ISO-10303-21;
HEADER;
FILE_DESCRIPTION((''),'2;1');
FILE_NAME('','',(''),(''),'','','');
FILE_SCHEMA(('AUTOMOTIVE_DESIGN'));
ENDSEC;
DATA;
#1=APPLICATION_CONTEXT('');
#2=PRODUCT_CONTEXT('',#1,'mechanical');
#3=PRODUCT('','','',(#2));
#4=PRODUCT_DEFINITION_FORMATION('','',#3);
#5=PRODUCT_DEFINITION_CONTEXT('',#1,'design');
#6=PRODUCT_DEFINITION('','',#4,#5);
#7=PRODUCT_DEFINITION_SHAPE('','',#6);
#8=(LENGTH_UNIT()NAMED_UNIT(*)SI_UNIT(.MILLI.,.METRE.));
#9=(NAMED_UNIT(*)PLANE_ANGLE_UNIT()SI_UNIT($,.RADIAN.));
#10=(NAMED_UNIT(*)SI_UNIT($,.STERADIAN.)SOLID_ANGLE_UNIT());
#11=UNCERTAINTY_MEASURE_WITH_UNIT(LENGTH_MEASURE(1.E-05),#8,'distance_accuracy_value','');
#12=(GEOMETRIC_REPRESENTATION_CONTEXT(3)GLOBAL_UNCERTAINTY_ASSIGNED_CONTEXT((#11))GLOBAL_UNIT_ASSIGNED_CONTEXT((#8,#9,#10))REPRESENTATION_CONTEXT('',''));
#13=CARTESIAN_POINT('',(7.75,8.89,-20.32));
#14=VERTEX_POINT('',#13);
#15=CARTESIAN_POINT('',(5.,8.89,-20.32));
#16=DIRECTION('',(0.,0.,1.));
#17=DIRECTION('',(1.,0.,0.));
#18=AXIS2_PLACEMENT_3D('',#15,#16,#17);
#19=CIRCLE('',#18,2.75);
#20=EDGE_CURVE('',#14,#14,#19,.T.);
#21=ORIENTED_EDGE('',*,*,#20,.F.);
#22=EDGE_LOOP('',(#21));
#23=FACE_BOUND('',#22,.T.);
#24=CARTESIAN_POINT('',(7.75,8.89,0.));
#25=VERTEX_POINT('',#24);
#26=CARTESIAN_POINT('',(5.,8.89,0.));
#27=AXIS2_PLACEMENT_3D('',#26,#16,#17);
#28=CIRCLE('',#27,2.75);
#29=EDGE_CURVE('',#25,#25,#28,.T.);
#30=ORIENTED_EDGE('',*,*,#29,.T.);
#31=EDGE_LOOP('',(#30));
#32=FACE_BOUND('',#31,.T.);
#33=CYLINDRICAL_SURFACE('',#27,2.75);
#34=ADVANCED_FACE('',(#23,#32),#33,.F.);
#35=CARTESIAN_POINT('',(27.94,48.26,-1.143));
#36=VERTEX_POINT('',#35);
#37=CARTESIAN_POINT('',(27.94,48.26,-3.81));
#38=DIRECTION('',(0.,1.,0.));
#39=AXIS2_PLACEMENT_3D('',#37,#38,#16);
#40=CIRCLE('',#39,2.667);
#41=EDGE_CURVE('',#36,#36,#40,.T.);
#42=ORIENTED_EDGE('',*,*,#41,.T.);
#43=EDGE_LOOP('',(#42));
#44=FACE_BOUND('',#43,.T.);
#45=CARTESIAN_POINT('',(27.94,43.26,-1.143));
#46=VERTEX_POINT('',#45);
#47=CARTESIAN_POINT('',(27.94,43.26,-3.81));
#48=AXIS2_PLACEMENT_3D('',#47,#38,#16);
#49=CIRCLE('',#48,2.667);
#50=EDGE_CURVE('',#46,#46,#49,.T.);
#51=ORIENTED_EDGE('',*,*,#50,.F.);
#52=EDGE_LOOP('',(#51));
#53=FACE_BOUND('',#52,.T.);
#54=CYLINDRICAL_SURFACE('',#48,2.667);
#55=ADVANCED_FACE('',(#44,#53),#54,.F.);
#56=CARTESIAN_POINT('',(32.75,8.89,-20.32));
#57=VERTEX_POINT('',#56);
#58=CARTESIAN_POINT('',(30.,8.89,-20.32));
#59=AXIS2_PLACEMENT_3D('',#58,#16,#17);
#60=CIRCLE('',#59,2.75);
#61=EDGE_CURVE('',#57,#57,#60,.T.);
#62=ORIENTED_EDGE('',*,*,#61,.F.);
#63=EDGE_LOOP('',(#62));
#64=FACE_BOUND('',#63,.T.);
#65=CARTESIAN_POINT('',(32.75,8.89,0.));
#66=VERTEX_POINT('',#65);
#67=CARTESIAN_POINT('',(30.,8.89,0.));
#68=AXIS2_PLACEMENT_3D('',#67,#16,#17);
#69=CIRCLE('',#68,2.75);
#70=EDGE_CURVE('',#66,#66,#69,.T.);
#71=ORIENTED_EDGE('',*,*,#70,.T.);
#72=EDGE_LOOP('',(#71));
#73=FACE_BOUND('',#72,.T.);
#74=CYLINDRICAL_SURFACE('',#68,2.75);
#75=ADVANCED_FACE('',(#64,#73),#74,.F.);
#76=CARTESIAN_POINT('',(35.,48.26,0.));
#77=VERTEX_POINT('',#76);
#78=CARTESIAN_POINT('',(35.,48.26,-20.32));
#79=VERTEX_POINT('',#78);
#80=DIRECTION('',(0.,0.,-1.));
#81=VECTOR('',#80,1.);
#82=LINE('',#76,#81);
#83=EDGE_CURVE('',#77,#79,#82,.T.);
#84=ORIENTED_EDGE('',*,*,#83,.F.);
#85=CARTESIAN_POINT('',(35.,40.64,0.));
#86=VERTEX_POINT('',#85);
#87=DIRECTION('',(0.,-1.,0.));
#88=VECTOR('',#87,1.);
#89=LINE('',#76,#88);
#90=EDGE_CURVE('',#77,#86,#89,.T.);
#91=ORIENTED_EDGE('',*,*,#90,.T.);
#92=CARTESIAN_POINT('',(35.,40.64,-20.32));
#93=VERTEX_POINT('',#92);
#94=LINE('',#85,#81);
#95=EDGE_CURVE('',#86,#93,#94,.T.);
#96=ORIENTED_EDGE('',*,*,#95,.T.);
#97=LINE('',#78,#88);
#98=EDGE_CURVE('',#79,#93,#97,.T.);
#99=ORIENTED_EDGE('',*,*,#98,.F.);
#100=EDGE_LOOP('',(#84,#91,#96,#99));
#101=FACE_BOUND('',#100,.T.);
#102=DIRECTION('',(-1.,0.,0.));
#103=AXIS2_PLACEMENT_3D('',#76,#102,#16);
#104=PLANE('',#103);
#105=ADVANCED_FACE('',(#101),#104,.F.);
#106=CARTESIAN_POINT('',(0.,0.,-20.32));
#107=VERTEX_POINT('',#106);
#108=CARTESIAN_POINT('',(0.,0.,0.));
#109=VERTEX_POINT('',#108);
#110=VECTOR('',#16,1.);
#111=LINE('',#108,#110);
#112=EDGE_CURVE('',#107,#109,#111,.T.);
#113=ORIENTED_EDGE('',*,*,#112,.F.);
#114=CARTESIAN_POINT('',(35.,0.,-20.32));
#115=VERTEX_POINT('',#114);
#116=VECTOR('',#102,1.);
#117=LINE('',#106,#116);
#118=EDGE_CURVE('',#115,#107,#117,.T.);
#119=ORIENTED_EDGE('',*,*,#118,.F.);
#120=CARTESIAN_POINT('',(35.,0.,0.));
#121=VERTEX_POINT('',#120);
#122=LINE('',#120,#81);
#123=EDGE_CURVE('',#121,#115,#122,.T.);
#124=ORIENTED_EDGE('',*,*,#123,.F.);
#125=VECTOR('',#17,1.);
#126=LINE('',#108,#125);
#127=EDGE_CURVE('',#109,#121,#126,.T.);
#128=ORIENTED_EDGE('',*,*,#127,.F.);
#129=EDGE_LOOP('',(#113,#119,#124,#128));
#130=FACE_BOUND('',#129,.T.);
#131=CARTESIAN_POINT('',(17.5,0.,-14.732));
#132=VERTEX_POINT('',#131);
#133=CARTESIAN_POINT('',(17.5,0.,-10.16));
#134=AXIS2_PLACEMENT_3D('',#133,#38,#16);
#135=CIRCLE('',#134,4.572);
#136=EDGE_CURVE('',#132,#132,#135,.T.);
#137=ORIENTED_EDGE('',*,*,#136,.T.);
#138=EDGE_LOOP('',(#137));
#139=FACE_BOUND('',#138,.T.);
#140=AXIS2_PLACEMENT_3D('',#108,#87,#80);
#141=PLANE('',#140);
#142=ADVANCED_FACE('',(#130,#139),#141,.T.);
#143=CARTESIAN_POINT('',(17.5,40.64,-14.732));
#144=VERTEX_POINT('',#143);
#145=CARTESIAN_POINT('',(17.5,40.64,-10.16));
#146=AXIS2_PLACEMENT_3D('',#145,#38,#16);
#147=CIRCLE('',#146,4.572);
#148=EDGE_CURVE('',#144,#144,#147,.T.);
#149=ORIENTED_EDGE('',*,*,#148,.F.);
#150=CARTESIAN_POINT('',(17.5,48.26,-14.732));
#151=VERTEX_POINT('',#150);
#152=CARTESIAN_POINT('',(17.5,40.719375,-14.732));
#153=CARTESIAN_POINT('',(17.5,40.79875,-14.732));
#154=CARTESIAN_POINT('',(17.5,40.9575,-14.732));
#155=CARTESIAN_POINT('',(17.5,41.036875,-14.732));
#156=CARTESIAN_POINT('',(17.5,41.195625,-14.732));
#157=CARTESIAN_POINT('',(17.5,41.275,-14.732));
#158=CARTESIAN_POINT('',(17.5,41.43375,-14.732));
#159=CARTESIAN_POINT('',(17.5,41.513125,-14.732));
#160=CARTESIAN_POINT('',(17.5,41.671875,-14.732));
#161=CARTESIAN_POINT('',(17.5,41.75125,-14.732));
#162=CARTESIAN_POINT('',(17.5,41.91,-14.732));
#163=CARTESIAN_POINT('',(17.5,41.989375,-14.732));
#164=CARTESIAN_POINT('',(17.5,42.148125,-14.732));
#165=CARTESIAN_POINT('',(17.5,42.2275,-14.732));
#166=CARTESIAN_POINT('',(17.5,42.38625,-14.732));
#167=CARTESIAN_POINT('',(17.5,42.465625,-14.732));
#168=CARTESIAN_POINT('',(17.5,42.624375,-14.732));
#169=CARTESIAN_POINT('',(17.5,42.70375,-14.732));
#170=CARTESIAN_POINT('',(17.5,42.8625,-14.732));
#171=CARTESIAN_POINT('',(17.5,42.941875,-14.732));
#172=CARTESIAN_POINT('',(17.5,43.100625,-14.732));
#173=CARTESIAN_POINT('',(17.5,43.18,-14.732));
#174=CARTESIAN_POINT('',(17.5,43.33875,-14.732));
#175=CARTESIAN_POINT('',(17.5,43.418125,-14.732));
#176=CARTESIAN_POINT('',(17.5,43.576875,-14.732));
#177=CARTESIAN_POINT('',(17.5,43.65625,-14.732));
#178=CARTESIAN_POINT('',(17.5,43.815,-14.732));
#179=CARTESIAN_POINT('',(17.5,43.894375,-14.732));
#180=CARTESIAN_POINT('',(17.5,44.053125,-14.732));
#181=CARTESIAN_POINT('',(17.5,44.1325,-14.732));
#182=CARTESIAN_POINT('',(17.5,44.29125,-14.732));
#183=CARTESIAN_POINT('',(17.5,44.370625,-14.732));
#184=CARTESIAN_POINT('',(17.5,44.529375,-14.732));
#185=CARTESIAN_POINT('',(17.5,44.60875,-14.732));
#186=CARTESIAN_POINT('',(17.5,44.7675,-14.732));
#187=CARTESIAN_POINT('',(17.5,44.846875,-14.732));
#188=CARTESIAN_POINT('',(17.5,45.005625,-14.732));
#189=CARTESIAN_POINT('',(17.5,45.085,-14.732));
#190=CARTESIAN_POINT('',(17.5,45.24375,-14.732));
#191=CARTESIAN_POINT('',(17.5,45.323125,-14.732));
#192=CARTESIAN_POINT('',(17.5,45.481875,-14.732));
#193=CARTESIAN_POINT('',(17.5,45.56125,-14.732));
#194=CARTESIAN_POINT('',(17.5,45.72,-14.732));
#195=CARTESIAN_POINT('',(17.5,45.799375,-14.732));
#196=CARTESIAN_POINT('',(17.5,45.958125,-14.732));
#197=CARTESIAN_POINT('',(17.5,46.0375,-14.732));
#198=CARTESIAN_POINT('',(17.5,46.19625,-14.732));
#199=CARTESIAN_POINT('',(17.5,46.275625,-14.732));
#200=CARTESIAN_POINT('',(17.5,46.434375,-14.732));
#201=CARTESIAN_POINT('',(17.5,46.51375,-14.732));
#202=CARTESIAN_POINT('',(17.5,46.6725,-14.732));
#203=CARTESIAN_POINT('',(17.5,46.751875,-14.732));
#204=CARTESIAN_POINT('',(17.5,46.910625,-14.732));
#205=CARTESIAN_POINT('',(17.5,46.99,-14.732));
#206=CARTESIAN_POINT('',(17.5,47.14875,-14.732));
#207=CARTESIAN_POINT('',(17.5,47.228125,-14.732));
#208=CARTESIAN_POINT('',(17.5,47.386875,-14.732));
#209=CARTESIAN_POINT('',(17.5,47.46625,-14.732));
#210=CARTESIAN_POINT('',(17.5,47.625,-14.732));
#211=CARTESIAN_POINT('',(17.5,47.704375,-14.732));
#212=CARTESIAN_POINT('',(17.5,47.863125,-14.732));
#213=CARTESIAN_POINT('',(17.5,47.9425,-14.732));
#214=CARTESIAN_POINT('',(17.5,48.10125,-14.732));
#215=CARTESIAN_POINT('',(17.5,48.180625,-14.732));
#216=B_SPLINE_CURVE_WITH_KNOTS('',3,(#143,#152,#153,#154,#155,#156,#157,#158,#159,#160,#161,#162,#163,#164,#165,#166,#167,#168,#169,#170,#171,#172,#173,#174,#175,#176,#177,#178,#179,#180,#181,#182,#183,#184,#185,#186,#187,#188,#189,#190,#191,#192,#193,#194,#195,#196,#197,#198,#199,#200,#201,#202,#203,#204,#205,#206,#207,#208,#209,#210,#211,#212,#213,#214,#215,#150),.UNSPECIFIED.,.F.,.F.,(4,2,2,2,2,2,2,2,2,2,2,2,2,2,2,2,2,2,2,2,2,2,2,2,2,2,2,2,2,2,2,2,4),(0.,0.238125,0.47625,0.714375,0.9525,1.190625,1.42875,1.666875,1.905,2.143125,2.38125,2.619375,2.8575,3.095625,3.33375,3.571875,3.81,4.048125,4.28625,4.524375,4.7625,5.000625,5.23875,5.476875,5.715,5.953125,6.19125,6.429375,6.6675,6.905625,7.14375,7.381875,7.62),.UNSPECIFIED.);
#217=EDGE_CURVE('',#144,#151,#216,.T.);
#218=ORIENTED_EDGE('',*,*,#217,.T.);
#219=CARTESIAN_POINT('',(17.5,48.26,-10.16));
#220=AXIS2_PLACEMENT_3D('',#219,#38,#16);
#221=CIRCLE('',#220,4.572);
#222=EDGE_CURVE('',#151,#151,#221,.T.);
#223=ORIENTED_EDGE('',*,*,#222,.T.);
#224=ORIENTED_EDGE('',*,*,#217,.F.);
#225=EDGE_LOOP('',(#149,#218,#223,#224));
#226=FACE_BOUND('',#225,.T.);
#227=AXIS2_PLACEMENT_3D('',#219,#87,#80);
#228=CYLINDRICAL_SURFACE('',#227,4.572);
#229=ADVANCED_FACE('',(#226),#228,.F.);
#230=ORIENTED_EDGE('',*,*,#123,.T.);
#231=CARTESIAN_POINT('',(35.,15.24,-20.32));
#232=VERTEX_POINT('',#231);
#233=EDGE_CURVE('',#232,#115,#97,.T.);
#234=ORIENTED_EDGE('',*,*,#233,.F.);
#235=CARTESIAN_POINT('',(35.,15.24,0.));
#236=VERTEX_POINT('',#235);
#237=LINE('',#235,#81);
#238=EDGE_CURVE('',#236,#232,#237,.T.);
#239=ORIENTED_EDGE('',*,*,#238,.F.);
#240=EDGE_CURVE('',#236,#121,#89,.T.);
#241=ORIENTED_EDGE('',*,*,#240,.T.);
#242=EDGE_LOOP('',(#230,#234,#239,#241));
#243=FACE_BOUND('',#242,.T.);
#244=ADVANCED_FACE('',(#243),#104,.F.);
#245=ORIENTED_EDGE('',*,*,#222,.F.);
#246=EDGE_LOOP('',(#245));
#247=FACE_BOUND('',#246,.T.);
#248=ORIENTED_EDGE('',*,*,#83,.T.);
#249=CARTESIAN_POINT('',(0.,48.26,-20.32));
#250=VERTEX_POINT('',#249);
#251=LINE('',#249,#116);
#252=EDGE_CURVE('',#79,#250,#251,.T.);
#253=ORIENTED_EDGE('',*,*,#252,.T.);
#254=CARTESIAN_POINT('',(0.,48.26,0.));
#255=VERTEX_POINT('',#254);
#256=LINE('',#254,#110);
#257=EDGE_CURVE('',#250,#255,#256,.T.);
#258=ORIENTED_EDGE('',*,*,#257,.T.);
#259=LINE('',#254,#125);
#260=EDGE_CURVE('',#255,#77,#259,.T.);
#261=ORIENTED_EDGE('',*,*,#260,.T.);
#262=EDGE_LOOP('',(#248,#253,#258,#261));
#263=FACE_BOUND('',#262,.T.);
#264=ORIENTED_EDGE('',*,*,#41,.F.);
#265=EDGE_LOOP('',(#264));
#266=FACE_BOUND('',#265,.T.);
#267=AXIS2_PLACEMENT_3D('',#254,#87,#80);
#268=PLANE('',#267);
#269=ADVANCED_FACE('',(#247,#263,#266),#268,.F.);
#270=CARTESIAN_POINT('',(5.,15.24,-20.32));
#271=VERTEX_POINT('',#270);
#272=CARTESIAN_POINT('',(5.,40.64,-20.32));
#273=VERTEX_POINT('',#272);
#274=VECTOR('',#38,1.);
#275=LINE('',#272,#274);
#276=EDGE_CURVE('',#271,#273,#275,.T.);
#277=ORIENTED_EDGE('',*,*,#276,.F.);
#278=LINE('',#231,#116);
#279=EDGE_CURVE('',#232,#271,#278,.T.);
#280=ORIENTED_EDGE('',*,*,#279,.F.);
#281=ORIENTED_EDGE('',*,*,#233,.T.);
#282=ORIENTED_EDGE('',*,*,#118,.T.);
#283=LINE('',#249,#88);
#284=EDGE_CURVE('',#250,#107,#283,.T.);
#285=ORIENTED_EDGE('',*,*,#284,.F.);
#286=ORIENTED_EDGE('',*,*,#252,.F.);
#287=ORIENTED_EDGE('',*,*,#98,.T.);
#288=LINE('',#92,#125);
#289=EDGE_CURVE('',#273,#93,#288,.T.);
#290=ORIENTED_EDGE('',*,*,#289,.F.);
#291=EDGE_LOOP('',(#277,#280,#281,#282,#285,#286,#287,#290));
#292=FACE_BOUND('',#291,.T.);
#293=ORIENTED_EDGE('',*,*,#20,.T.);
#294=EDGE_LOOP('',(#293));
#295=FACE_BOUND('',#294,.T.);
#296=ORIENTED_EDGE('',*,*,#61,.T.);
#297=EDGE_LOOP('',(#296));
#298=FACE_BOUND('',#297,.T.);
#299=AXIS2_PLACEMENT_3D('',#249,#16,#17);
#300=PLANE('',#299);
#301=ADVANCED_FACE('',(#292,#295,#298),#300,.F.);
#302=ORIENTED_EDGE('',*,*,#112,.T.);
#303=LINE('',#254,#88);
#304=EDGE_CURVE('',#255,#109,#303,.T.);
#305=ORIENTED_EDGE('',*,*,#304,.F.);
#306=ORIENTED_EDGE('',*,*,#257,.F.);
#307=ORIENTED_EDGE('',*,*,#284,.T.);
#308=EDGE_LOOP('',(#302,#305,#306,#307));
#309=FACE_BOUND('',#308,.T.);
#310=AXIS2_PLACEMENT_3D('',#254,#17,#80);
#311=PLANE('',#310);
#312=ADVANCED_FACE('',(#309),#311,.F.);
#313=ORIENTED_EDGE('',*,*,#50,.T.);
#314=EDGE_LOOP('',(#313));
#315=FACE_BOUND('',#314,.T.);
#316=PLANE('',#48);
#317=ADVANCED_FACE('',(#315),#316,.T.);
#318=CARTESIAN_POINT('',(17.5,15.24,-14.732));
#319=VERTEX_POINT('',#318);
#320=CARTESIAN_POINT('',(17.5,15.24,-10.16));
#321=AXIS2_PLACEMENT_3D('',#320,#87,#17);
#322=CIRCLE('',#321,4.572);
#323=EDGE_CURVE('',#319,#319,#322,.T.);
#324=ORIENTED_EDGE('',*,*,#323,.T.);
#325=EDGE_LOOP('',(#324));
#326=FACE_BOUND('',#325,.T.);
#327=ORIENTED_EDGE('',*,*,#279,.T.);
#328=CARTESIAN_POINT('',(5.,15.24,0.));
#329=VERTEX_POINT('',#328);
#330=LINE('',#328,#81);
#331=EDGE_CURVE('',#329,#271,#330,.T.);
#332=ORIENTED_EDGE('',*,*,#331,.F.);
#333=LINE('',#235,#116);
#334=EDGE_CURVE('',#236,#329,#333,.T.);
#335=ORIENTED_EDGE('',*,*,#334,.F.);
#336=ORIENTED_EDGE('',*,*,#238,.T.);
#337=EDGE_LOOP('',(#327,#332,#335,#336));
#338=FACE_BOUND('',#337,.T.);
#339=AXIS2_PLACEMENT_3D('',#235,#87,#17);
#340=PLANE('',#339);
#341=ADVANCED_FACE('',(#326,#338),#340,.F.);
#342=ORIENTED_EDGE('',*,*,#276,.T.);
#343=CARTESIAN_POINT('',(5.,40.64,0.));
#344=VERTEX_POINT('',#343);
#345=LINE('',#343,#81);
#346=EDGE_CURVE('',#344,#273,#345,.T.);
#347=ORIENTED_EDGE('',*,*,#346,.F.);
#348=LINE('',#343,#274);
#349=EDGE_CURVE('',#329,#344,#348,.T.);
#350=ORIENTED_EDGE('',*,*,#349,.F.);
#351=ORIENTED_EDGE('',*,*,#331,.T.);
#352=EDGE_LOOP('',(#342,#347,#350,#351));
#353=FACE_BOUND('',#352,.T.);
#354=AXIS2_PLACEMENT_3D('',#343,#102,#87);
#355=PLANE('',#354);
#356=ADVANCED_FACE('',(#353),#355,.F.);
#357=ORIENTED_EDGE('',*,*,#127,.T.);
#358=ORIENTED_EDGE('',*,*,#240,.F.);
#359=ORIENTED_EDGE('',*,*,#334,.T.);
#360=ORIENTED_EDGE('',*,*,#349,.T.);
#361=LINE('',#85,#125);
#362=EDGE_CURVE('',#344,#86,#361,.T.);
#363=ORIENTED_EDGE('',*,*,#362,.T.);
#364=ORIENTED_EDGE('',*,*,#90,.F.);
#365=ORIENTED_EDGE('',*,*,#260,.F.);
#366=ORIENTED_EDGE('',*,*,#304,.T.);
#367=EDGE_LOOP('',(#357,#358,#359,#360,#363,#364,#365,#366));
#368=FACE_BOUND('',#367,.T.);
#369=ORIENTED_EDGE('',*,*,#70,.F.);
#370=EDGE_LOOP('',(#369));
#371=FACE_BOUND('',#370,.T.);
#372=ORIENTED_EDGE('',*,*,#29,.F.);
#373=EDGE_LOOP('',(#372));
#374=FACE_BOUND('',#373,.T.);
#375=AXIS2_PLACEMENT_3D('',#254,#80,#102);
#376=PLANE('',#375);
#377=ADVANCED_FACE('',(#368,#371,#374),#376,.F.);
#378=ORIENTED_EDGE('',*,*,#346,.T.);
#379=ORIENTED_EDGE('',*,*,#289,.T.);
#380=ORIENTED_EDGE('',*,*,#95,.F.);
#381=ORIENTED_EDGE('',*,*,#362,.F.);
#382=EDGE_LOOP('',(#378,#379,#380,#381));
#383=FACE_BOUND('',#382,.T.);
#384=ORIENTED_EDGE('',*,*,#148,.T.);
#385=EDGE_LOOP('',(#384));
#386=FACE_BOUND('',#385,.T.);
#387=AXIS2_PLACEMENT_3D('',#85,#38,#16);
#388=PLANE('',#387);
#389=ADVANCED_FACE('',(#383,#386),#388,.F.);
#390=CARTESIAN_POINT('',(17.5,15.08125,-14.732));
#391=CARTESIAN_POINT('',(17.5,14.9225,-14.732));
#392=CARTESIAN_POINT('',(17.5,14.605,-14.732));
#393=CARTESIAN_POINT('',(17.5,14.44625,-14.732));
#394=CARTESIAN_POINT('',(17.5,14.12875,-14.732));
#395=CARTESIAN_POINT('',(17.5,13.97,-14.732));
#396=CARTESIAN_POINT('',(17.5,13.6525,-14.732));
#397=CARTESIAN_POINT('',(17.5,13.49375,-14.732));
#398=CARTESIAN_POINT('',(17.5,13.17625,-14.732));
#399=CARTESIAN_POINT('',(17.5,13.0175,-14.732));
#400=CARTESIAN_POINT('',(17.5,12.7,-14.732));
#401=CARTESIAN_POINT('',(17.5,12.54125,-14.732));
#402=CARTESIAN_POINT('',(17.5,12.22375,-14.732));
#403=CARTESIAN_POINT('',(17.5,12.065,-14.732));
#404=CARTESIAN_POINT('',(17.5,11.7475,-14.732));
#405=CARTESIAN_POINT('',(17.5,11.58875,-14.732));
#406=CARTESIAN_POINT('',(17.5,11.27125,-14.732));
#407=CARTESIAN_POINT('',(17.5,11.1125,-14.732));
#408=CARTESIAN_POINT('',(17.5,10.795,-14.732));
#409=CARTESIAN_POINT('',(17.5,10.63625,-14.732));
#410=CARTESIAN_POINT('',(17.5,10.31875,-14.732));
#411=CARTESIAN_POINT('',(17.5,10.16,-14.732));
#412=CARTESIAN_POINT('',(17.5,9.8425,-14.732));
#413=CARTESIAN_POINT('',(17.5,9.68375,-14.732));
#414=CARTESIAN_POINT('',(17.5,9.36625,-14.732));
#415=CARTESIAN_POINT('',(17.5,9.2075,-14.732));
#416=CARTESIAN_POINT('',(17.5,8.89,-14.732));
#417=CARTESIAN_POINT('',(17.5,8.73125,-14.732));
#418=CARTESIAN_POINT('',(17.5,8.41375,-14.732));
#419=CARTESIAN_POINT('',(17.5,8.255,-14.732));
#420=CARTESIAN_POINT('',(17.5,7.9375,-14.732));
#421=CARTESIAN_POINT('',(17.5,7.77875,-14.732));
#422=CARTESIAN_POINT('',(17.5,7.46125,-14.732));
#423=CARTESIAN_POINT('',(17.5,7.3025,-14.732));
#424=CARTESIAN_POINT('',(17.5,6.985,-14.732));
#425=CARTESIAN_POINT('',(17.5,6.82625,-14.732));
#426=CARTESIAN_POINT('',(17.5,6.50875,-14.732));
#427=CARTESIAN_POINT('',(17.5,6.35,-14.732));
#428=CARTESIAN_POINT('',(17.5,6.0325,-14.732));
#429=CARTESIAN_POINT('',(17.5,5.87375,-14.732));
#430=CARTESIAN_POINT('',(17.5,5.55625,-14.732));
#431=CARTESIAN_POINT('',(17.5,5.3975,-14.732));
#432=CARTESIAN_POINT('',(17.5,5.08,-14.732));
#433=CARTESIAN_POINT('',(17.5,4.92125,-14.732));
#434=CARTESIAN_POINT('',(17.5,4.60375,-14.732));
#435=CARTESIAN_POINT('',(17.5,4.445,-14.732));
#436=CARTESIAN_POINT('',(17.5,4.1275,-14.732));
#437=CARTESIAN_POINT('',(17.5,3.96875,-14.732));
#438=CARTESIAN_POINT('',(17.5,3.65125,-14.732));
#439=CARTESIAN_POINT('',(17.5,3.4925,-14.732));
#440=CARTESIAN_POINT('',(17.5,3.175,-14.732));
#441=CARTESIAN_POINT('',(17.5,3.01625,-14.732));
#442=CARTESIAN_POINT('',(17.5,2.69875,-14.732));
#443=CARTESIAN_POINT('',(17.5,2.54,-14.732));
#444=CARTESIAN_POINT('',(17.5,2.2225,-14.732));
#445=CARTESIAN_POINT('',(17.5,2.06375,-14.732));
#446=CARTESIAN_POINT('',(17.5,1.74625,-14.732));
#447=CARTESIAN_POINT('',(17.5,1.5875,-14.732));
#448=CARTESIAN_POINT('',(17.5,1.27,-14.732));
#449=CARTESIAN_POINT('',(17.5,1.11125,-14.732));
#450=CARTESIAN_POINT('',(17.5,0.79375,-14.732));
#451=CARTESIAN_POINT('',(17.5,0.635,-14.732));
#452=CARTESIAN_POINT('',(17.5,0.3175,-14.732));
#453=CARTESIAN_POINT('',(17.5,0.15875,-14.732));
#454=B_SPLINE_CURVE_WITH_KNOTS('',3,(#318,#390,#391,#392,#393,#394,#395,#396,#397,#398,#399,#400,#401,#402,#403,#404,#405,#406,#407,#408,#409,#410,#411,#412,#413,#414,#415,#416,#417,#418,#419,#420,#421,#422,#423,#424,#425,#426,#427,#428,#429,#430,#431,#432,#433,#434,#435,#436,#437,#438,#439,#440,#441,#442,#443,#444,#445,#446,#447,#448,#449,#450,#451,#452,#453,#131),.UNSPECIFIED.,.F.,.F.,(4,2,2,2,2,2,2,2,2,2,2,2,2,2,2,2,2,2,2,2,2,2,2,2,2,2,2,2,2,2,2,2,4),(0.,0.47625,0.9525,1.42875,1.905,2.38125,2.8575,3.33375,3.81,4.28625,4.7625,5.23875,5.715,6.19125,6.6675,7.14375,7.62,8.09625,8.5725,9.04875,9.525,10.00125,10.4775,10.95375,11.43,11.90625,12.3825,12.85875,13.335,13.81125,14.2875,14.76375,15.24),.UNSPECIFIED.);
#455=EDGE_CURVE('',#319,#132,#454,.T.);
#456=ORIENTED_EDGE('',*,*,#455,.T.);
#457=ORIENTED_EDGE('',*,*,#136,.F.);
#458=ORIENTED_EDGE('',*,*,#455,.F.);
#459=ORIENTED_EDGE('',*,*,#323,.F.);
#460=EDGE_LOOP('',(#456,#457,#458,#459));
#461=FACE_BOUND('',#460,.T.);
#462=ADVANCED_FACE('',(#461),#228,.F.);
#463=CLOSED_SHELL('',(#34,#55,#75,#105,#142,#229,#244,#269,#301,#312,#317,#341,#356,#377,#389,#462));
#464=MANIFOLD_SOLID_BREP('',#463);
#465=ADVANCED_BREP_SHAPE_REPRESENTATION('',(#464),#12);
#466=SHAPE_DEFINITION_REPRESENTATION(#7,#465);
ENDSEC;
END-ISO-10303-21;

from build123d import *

# Parameters (mm, degrees)
SKETCH2_W            = 35
SKETCH2_H            = 20.32
SKETCH2_R            = 4.572
BOSS_EXTRUDE1_DEPTH  = 48.26
M5_CLEARANCE_HOLE1_D = 5.5
SKETCH7_R            = 2.667
CUT_EXTRUDE1_DEPTH   = 5
SKETCH8_W            = 30
SKETCH8_H            = 25.4
CUT_EXTRUDE2_DEPTH   = 63.983569286


with BuildPart() as part:
    # Sketch2 → Boss-Extrude1 (new body)
    with BuildSketch(Plane(origin=(0, 0, 0), x_dir=(1, 0, 0), z_dir=(0, 1, 0))):
        with Locations((17.5, 10.16)):
            Rectangle(SKETCH2_W, SKETCH2_H)
        with Locations(Location((17.5, 10.16, 0), (0, 0, 90))):
            Circle(SKETCH2_R, mode=Mode.SUBTRACT)
    extrude(amount=BOSS_EXTRUDE1_DEPTH)

    # M5 Clearance Hole1 (through all)
    with Locations(Plane.XY):
        with Locations((5, 8.89), (30, 8.89)):
            Hole(M5_CLEARANCE_HOLE1_D / 2)

    # Sketch7 → Cut-Extrude1 (cut)
    with BuildSketch(Plane(origin=(0, 48.26, 0), x_dir=(1, 0, 0), z_dir=(0, 1, 0))):
        with Locations(Location((27.94, 3.81, 0), (0, 0, 270))):
            Circle(SKETCH7_R)
    extrude(amount=-CUT_EXTRUDE1_DEPTH, mode=Mode.SUBTRACT)

    # Sketch8 → Cut-Extrude2 (cut, through all)
    with BuildSketch(Plane(origin=(0, 0, -20.32), x_dir=(-1, 0, 0), z_dir=(0, 0, -1))):
        with Locations((-20, 27.94)):
            Rectangle(SKETCH8_W, SKETCH8_H)
    extrude(amount=-CUT_EXTRUDE2_DEPTH, mode=Mode.SUBTRACT)


solid = part.part
